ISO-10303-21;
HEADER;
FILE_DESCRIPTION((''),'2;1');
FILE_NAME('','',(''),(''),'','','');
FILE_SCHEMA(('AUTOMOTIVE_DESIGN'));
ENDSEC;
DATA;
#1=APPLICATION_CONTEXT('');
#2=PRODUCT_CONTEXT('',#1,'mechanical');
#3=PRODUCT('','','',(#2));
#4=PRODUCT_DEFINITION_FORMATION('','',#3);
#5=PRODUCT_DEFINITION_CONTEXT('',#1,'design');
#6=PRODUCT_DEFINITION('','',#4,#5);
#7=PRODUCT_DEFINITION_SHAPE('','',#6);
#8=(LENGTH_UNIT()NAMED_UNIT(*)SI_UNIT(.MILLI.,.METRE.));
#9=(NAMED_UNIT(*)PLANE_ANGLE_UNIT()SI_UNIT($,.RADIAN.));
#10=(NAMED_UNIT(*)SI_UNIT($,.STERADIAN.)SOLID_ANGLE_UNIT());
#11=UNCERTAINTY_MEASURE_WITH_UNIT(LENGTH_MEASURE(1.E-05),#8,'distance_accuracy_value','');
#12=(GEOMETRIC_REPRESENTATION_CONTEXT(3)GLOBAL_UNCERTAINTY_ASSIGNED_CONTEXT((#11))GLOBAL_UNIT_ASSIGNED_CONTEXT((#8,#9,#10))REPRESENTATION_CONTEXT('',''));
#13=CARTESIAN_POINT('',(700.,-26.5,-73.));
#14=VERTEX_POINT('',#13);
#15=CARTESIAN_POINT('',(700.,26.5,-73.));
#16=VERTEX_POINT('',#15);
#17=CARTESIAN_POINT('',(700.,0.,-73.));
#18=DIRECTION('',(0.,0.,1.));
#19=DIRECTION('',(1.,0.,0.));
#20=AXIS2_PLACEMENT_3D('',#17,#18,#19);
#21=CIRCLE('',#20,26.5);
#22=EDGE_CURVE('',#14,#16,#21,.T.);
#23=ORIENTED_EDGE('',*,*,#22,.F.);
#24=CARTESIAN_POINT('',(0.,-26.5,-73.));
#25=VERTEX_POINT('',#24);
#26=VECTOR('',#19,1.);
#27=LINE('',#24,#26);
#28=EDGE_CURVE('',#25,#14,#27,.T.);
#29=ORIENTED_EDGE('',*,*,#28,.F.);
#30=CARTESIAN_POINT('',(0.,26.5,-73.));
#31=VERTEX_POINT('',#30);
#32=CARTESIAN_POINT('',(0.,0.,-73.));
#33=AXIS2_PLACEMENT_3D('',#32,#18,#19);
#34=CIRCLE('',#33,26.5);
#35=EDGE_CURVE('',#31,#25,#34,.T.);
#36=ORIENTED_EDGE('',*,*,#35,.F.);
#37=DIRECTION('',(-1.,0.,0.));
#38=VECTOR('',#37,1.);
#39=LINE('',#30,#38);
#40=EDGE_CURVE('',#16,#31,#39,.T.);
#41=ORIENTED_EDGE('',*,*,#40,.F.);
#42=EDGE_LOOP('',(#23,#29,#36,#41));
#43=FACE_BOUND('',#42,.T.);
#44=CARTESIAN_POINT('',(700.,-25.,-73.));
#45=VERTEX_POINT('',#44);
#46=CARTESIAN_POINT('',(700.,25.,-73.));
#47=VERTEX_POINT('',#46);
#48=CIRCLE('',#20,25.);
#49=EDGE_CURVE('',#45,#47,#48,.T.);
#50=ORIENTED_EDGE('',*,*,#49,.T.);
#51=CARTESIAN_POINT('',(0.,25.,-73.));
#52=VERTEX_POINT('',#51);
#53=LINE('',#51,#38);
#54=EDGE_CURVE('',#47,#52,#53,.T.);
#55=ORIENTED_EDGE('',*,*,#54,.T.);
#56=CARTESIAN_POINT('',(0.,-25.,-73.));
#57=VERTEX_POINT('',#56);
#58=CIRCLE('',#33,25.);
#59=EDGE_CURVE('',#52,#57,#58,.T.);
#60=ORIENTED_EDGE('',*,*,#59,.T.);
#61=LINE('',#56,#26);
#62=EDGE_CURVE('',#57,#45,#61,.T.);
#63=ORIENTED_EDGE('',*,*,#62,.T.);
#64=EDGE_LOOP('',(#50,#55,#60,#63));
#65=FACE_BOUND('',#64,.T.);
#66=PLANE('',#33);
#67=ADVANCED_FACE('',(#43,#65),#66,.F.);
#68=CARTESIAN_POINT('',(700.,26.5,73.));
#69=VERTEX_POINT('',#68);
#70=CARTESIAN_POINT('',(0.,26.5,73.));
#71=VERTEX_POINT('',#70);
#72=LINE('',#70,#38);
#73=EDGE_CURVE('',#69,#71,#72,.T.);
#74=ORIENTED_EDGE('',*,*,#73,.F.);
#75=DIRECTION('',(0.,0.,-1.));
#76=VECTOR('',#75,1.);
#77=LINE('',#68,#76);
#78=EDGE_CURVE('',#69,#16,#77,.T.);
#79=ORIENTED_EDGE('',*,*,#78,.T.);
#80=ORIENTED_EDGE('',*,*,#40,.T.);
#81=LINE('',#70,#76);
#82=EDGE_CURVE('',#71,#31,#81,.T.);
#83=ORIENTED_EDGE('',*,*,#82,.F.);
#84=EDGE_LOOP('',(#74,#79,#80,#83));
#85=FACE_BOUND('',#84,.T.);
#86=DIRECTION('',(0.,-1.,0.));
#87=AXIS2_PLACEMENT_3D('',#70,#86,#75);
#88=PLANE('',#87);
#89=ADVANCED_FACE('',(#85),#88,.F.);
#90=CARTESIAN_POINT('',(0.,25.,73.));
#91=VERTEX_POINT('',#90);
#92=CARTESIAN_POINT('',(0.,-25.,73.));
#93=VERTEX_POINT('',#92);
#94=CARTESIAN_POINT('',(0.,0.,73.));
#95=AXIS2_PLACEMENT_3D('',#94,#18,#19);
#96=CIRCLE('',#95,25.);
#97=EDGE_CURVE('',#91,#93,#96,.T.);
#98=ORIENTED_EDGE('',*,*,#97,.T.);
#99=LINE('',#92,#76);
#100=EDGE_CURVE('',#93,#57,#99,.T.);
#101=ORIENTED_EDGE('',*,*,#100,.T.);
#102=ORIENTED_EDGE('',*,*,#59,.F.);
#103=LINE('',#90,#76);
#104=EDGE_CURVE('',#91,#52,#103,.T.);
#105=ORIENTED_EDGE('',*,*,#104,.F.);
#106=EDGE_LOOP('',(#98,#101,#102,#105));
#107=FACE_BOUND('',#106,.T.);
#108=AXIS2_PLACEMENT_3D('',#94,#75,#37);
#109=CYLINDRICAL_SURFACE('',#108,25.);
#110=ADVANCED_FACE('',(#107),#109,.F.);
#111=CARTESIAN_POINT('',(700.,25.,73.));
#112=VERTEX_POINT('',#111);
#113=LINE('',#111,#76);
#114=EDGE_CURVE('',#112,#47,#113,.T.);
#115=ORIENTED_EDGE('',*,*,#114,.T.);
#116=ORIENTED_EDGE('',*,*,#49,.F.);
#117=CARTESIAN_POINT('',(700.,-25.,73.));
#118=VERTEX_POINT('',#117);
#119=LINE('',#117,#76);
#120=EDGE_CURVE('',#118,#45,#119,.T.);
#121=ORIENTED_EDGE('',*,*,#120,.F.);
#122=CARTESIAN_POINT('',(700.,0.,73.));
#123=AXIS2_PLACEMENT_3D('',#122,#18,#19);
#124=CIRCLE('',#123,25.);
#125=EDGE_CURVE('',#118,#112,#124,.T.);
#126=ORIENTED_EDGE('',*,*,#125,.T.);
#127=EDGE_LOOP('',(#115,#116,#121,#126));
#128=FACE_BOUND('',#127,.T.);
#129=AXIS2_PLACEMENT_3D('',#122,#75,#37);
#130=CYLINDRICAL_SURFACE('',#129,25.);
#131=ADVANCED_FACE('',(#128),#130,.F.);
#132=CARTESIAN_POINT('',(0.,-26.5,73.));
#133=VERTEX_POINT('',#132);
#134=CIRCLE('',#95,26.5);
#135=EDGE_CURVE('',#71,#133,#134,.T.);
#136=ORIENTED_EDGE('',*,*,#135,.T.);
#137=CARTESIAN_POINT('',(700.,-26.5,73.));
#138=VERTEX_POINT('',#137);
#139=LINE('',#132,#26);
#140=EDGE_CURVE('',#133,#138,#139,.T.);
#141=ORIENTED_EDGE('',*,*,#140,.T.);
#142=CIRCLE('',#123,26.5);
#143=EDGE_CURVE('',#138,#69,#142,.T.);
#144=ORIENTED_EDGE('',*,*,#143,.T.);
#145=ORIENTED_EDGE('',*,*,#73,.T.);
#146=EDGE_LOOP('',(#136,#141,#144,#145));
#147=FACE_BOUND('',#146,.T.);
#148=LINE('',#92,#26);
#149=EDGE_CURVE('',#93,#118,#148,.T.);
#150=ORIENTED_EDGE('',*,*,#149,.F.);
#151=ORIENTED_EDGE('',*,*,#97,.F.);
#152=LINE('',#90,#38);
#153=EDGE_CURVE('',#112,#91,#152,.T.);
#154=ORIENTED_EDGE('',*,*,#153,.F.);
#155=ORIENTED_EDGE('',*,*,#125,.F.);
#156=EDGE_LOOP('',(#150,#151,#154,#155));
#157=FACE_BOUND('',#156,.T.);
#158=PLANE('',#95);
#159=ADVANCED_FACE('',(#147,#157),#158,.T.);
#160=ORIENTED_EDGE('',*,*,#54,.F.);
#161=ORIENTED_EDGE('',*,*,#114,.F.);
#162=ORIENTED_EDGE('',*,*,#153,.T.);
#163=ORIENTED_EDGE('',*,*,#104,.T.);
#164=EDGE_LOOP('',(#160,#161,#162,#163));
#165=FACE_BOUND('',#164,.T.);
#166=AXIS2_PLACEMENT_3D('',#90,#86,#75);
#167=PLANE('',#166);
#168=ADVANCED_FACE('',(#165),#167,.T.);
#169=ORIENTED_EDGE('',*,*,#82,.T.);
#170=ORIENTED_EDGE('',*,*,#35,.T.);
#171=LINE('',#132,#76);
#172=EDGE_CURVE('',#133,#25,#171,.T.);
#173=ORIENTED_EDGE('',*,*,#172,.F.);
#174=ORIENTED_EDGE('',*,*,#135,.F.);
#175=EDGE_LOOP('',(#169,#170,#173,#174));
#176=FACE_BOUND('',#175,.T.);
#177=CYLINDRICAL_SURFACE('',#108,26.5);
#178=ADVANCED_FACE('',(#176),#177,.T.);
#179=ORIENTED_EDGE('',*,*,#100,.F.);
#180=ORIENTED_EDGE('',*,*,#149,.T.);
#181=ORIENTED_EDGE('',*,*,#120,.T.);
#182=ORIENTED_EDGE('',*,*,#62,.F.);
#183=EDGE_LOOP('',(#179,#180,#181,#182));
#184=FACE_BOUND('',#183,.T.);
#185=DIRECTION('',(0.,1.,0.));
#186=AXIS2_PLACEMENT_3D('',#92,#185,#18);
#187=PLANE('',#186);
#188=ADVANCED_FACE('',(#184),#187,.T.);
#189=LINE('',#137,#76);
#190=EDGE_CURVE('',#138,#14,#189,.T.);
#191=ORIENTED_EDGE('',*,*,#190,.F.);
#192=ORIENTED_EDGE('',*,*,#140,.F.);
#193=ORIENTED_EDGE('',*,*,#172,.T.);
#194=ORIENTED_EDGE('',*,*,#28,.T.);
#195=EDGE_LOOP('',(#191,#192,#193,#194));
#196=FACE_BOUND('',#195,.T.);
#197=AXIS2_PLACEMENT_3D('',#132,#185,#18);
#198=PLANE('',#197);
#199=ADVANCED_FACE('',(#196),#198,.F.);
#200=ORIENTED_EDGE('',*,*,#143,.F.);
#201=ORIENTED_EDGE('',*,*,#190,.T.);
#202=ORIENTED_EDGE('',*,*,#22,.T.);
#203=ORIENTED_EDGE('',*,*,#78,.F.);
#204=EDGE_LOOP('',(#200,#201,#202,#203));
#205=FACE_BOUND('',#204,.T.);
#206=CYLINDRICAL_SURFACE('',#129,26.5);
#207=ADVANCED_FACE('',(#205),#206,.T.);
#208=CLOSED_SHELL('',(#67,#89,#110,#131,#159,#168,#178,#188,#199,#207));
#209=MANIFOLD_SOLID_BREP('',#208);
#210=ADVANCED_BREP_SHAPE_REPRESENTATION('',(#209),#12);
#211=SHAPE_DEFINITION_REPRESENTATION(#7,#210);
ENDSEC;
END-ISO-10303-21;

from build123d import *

# Parameters (mm, degrees)
BOSS_EXTRUDE1_DEPTH = 73


with BuildPart() as part:
    # Sketch1 → Boss-Extrude1 (new body, symmetric)
    with BuildSketch(Plane.XY):
        with BuildLine():
            Line((0, 26.5), (700, 26.5))
            ThreePointArc((700, 26.5), (726.5, 0), (700, -26.5))
            Line((700, -26.5), (0, -26.5))
            ThreePointArc((0, -26.5), (-26.5, 0), (0, 26.5))
        make_face()
        with BuildLine():
            Line((0, 25), (700, 25))
            ThreePointArc((700, 25), (725, 0), (700, -25))
            Line((700, -25), (0, -25))
            ThreePointArc((0, -25), (-25, 0), (0, 25))
        make_face(mode=Mode.SUBTRACT)
    extrude(amount=BOSS_EXTRUDE1_DEPTH, both=True)


solid = part.part
